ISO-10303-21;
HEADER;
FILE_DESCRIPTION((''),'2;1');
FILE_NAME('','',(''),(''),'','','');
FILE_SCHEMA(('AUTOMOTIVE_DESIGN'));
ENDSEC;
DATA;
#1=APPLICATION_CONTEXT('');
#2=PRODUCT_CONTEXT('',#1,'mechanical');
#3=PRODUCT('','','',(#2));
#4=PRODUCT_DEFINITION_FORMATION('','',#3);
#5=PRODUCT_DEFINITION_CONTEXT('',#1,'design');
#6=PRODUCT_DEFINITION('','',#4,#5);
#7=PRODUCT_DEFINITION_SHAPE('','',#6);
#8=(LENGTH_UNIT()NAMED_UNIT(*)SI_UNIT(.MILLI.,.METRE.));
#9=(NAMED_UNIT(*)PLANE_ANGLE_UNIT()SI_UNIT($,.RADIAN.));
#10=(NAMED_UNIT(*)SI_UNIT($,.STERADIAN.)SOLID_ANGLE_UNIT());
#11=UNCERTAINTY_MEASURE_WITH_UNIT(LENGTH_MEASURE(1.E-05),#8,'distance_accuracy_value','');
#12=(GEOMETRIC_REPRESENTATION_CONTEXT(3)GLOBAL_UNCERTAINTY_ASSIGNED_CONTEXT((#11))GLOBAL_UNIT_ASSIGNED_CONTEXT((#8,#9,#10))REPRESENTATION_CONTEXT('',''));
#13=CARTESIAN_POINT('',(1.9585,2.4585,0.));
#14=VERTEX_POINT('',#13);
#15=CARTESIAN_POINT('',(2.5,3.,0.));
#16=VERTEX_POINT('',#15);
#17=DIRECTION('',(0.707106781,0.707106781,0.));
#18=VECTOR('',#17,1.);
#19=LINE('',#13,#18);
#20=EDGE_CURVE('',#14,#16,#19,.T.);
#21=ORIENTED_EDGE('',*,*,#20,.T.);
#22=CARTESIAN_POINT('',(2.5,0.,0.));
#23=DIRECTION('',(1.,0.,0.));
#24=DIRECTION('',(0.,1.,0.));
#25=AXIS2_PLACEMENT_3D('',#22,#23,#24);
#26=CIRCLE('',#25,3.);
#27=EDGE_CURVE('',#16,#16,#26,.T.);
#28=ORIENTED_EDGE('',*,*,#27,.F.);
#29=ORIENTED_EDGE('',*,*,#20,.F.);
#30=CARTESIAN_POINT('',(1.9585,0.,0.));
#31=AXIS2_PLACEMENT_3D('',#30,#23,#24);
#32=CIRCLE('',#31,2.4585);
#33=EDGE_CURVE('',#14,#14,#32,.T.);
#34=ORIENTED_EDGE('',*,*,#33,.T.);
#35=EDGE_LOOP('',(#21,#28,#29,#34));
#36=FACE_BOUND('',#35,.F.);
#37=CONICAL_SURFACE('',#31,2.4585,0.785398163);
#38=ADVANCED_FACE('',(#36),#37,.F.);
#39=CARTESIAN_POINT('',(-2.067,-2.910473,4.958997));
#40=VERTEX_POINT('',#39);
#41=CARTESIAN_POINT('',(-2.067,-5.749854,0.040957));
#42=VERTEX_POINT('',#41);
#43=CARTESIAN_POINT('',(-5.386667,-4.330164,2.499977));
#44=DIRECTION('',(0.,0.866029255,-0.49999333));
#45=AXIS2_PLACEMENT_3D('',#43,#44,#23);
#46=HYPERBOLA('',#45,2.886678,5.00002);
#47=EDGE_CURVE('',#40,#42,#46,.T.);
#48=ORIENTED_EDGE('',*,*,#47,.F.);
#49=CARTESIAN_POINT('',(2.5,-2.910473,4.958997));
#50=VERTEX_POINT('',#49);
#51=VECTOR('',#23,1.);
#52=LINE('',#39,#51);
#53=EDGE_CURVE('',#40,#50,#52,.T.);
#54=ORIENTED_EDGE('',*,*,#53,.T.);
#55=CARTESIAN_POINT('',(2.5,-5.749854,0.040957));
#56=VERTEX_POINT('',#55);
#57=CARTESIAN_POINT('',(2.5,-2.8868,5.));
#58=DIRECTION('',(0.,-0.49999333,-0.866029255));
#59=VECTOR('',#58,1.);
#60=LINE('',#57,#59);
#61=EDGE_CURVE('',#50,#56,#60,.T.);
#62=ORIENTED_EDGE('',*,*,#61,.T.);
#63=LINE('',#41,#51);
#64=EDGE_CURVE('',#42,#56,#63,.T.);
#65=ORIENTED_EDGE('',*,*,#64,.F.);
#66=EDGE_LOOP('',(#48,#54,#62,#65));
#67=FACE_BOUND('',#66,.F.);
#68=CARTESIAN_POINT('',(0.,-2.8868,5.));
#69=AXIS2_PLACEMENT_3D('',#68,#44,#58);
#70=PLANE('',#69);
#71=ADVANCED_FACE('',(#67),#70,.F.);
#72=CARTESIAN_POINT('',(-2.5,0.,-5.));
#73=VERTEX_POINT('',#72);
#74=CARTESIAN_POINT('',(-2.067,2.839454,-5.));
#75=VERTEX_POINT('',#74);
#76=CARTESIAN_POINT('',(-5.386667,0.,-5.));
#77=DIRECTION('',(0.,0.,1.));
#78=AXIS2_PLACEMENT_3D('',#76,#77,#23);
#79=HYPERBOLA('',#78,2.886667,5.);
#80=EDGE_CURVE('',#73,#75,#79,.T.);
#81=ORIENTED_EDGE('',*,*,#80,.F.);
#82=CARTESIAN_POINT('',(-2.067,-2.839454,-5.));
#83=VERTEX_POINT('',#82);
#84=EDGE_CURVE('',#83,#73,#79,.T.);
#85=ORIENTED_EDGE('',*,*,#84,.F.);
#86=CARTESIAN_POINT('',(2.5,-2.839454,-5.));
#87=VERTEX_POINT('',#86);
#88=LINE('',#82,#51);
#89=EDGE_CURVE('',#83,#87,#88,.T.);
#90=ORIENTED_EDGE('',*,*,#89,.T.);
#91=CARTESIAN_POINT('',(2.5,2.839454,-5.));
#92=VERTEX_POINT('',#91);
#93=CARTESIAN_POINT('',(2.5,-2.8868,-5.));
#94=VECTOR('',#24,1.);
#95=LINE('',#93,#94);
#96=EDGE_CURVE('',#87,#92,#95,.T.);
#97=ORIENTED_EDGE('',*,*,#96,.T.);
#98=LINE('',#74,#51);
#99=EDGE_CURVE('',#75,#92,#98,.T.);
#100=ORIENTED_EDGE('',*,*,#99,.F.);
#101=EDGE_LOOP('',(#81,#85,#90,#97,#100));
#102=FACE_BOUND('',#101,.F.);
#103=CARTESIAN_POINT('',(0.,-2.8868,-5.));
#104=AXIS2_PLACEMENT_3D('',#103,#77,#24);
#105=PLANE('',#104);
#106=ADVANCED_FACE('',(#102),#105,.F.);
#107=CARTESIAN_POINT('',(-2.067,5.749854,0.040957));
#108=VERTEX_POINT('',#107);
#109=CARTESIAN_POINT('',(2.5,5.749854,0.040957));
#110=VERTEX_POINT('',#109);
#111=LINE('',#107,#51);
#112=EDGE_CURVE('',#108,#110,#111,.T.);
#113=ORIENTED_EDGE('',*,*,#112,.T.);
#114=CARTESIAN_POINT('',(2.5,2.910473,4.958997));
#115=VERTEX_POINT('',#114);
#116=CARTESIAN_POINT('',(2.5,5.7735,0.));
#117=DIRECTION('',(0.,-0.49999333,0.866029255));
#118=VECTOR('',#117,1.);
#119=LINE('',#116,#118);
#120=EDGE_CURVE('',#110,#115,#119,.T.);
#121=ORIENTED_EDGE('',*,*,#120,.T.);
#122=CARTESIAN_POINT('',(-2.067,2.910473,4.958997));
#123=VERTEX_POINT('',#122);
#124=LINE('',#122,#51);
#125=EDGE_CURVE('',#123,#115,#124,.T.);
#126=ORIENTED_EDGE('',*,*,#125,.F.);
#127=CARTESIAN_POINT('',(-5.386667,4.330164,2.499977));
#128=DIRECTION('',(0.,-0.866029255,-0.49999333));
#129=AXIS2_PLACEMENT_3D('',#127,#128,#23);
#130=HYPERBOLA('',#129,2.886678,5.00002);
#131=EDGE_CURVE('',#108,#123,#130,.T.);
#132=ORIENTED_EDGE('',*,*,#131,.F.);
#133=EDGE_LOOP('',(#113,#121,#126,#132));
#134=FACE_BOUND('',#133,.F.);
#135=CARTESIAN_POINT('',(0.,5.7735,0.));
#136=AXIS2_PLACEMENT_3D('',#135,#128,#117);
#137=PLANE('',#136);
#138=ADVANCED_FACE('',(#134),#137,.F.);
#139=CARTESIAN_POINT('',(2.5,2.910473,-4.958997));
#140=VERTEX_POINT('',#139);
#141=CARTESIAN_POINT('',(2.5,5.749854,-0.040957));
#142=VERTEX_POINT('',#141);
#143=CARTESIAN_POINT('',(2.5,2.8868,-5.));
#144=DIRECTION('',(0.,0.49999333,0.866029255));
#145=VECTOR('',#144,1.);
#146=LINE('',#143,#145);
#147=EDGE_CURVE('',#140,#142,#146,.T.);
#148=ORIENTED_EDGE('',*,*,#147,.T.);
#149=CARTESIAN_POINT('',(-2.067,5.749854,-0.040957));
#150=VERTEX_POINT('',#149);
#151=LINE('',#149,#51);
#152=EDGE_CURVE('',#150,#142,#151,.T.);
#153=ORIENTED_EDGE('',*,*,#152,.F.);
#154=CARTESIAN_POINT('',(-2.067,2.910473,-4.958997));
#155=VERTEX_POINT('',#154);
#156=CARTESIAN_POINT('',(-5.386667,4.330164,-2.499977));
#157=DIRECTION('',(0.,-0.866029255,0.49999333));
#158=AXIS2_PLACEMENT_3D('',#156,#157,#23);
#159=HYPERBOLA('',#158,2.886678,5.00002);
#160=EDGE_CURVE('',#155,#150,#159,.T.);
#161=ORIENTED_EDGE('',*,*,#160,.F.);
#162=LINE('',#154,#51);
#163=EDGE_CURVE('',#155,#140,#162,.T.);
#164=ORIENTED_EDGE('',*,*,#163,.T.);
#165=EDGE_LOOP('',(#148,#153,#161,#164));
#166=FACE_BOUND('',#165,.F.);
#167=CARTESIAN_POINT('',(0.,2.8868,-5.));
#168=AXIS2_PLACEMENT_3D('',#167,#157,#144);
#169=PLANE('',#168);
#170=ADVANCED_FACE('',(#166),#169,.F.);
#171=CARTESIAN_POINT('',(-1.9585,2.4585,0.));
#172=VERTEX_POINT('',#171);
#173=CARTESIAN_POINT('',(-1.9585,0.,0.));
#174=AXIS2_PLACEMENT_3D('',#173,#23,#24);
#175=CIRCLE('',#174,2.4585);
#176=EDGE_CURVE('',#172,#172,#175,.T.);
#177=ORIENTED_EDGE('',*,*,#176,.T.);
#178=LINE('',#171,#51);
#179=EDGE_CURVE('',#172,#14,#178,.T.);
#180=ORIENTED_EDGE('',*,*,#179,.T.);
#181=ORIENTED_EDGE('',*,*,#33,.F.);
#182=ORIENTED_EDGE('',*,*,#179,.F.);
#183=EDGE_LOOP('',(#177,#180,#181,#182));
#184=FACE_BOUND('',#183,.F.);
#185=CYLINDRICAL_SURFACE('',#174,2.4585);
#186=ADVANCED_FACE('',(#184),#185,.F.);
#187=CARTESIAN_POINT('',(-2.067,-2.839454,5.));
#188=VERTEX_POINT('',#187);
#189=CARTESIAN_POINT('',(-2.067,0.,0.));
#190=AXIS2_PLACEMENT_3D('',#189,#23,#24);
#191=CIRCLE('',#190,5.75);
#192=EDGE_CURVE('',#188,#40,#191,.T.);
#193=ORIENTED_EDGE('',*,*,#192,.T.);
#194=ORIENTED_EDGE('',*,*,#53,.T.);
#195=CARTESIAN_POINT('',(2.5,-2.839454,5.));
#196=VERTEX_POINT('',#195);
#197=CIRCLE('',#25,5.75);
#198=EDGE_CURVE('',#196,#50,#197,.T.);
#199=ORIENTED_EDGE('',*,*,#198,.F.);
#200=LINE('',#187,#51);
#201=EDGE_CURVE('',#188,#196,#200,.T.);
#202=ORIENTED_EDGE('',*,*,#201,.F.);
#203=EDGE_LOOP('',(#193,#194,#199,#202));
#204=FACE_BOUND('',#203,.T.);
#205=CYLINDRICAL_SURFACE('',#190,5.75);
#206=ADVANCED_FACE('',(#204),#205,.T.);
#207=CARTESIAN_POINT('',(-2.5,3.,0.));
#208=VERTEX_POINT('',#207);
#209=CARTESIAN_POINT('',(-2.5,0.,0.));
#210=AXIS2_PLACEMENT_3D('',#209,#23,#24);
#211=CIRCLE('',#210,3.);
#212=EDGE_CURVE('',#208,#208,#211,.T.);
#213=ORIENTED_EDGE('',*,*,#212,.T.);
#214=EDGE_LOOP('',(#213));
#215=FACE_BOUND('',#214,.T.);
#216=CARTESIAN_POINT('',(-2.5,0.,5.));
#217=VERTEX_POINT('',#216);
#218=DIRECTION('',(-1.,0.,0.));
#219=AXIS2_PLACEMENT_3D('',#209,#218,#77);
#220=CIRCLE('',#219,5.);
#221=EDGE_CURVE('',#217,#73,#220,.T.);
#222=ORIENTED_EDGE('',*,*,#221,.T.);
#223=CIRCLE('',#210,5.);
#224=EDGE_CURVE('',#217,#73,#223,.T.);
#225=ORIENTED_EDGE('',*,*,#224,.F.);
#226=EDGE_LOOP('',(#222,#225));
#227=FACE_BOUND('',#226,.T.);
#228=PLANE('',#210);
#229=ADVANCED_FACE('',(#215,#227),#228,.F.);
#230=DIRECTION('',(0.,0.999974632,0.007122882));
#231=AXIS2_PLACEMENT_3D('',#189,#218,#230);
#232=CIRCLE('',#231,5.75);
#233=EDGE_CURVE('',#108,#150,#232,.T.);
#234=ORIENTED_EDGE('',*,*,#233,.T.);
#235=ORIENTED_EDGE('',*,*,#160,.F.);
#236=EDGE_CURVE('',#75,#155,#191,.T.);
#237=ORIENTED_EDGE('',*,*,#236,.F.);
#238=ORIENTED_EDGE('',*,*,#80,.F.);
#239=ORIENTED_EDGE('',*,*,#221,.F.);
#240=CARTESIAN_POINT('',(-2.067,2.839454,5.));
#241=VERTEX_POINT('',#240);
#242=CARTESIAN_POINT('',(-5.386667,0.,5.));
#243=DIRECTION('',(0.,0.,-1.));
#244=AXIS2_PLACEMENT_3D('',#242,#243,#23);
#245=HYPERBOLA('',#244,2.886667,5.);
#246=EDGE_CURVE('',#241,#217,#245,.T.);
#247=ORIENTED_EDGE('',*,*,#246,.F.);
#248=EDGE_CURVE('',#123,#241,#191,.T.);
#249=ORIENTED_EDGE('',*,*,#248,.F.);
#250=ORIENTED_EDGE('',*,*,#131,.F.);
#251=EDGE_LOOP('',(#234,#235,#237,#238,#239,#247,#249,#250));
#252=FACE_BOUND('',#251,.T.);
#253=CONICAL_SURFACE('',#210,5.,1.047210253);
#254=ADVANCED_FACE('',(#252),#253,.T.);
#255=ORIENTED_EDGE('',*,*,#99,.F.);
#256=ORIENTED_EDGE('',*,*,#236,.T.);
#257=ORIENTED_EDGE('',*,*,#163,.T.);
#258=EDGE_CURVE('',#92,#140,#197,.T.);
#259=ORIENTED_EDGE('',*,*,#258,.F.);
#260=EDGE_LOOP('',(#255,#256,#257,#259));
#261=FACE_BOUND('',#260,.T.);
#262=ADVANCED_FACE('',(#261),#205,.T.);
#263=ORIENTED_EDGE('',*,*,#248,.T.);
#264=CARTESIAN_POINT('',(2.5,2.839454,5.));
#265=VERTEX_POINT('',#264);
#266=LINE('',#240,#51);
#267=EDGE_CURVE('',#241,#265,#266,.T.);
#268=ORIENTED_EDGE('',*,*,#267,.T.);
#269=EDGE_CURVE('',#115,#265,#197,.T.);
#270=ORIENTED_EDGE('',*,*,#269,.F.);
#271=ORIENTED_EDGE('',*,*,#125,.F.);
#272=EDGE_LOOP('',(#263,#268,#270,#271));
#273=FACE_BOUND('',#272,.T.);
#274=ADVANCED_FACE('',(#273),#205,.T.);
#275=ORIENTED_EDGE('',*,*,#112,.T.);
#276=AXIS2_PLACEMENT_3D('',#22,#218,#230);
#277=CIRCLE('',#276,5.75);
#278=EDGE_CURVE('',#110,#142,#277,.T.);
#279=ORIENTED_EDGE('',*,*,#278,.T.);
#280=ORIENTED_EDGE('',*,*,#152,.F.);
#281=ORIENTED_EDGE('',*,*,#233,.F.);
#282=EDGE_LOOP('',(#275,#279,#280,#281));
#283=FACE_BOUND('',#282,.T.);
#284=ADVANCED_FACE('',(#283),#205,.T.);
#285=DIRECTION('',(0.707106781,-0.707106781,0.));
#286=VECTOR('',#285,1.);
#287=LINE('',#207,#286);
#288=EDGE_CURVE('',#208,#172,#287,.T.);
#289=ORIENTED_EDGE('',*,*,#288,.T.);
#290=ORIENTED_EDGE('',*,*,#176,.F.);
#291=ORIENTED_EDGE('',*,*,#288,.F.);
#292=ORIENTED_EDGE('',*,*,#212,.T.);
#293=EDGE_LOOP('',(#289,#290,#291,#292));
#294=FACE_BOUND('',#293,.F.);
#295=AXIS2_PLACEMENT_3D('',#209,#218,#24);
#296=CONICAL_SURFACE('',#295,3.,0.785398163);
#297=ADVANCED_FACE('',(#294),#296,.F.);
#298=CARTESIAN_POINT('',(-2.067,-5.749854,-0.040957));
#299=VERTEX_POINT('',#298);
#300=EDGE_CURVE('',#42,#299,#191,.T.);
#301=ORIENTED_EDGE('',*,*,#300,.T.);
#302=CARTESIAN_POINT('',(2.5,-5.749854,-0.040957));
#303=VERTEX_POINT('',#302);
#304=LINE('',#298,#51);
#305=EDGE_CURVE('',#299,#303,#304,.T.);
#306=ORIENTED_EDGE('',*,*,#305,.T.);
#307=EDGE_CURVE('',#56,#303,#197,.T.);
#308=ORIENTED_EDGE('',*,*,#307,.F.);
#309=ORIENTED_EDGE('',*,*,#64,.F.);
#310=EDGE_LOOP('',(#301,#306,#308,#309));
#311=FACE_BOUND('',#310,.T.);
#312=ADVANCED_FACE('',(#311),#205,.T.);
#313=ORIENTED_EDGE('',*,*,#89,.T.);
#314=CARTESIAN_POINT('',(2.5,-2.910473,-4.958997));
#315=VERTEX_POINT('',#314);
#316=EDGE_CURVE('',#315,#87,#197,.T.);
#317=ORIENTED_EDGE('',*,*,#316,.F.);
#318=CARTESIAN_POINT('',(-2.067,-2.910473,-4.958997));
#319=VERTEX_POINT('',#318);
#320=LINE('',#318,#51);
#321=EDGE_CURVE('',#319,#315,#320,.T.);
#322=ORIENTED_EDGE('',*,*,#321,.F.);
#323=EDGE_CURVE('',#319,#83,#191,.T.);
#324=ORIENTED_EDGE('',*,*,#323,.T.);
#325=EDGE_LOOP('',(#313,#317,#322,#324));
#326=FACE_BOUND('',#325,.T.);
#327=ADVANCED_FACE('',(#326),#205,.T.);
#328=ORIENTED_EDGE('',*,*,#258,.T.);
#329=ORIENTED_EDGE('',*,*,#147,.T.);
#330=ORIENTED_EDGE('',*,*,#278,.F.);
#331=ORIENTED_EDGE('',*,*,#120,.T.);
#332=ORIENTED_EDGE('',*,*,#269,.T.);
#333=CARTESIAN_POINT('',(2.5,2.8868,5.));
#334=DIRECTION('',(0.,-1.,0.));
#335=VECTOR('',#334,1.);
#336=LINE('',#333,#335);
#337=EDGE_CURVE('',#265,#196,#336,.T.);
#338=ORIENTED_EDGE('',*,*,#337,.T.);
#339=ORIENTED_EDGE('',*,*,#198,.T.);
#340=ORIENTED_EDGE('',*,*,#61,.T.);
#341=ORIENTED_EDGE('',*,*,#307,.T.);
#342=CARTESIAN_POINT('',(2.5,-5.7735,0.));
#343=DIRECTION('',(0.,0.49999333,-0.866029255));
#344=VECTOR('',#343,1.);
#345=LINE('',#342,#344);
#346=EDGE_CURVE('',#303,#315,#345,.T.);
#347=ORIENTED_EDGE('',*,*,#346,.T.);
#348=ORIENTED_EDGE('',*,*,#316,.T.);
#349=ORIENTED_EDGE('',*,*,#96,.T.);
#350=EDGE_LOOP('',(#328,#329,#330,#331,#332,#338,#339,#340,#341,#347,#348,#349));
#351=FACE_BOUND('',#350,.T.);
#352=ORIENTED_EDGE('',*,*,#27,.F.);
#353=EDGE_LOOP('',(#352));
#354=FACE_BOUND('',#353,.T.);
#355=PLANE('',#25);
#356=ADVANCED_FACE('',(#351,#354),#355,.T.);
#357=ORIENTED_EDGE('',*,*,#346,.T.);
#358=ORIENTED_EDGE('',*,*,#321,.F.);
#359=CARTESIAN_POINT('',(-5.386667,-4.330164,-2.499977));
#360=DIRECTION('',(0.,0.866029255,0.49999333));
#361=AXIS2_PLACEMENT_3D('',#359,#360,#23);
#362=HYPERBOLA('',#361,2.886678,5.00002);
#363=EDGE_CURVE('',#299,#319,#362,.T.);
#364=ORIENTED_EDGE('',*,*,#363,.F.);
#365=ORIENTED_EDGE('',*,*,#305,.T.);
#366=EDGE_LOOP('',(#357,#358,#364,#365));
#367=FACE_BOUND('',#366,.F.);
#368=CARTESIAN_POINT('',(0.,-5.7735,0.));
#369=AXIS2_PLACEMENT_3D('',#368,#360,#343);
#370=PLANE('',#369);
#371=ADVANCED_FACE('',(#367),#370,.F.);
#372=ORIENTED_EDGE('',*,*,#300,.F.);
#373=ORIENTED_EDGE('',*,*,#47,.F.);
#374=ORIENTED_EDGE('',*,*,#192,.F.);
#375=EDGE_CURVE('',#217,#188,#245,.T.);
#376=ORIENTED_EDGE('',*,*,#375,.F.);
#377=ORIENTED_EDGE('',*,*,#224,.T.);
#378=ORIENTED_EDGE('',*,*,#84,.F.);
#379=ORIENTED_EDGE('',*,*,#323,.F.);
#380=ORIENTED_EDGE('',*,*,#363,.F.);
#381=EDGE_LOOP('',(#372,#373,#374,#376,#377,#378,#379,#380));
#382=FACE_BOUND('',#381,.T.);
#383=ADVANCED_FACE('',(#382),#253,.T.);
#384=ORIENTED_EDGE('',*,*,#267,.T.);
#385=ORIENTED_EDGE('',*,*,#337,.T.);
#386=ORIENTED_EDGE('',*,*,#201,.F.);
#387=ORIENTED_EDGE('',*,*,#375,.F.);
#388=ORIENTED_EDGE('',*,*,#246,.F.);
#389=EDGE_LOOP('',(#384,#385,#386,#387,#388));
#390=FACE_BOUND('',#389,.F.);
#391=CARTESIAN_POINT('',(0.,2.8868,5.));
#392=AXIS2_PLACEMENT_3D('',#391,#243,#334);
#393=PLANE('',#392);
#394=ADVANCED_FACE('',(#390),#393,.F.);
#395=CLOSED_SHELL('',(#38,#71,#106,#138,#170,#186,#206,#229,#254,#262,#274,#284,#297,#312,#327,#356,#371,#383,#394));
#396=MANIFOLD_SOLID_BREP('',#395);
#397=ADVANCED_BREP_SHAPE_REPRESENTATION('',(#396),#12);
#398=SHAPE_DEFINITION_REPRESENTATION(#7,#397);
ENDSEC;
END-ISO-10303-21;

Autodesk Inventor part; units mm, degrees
sketch "Sketch_1" plane through (0, 0, 0) normal (0, 0, 1) x (1, 0, 0)
  line L0 (2.5, 0) -> (-2.5, 0)
  line L1 (-2.5, 0) -> (-2.5, 5)
  line L2 (-2.5, 5) -> (-2.067, 5.75)
  line L3 (-2.067, 5.75) -> (2.5, 5.75)
  line L4 (2.5, 5.75) -> (2.5, 0)
  line L5 (2.5, 0) -> (-2.5, 0)
revolve "Revolution1" add sketch "Sketch_1" angle 360 about axis through (2.5, 0, 0) along (1, 0, 0)
sketch "Sketch_2" plane through (0, 0, 0) normal (0, 0, 1) x (1, 0, 0)
  line L0 (2.5, 0) -> (-2.5, 0)
  line L1 (-2.5, 0) -> (-2.5, 3)
  line L2 (-2.5, 3) -> (-1.9585, 2.4585)
  line L3 (-1.9585, 2.4585) -> (1.9585, 2.4585)
  line L4 (1.9585, 2.4585) -> (2.5, 3)
  line L5 (2.5, 3) -> (2.5, 0)
  line L6 (2.5, 0) -> (-2.5, 0)
revolve "Revolution2" cut sketch "Sketch_2" angle 360 about axis through (2.5, 0, 0) along (1, 0, 0)
thread "Thread1" size "M6x1" class "6H" standard "ISO Metric profile" full length
sketch "Sketch_3" plane through (0, 0, 0) normal (1, 0, 0) x (0, 1, 0)
  line L0 (-10, 10) -> (-10, -10)
  line L1 (-10, -10) -> (10, -10)
  line L2 (10, -10) -> (10, 10)
  line L3 (10, 10) -> (-10, 10)
  line L4 (-2.8868, 5) -> (-5.7735, 0)
  line L5 (-5.7735, 0) -> (-2.8868, -5)
  line L6 (-2.8868, -5) -> (2.8868, -5)
  line L7 (2.8868, -5) -> (5.7735, 0)
  line L8 (5.7735, 0) -> (2.8868, 5)
  line L9 (2.8868, 5) -> (-2.8868, 5)
extrude "Extrusion1" cut sketch "Sketch_3" along normal mid plane 5
ref_plane "cp_XY" through (2.5, 0, 0) normal (1, 0, 0) x (0, 0, -1)
ref_plane "cp_YZ" through (2.5, 0, 0) normal (0, 0, -1) x (0, 1, 0)
ref_plane "cp_ZX" through (2.5, 0, 0) normal (0, 1, 0) x (1, 0, 0)
ref_plane "nut_to_screw_XY" through (0, 0, 0) normal (1, 0, 0) x (0, 0, -1)
ref_plane "nut_to_screw_YZ" through (0, 0, 0) normal (0, 0, -1) x (0, 1, 0)
ref_plane "nut_to_screw_ZX" through (0, 0, 0) normal (0, 1, 0) x (1, 0, 0)
properties part number "SLBNR6"
